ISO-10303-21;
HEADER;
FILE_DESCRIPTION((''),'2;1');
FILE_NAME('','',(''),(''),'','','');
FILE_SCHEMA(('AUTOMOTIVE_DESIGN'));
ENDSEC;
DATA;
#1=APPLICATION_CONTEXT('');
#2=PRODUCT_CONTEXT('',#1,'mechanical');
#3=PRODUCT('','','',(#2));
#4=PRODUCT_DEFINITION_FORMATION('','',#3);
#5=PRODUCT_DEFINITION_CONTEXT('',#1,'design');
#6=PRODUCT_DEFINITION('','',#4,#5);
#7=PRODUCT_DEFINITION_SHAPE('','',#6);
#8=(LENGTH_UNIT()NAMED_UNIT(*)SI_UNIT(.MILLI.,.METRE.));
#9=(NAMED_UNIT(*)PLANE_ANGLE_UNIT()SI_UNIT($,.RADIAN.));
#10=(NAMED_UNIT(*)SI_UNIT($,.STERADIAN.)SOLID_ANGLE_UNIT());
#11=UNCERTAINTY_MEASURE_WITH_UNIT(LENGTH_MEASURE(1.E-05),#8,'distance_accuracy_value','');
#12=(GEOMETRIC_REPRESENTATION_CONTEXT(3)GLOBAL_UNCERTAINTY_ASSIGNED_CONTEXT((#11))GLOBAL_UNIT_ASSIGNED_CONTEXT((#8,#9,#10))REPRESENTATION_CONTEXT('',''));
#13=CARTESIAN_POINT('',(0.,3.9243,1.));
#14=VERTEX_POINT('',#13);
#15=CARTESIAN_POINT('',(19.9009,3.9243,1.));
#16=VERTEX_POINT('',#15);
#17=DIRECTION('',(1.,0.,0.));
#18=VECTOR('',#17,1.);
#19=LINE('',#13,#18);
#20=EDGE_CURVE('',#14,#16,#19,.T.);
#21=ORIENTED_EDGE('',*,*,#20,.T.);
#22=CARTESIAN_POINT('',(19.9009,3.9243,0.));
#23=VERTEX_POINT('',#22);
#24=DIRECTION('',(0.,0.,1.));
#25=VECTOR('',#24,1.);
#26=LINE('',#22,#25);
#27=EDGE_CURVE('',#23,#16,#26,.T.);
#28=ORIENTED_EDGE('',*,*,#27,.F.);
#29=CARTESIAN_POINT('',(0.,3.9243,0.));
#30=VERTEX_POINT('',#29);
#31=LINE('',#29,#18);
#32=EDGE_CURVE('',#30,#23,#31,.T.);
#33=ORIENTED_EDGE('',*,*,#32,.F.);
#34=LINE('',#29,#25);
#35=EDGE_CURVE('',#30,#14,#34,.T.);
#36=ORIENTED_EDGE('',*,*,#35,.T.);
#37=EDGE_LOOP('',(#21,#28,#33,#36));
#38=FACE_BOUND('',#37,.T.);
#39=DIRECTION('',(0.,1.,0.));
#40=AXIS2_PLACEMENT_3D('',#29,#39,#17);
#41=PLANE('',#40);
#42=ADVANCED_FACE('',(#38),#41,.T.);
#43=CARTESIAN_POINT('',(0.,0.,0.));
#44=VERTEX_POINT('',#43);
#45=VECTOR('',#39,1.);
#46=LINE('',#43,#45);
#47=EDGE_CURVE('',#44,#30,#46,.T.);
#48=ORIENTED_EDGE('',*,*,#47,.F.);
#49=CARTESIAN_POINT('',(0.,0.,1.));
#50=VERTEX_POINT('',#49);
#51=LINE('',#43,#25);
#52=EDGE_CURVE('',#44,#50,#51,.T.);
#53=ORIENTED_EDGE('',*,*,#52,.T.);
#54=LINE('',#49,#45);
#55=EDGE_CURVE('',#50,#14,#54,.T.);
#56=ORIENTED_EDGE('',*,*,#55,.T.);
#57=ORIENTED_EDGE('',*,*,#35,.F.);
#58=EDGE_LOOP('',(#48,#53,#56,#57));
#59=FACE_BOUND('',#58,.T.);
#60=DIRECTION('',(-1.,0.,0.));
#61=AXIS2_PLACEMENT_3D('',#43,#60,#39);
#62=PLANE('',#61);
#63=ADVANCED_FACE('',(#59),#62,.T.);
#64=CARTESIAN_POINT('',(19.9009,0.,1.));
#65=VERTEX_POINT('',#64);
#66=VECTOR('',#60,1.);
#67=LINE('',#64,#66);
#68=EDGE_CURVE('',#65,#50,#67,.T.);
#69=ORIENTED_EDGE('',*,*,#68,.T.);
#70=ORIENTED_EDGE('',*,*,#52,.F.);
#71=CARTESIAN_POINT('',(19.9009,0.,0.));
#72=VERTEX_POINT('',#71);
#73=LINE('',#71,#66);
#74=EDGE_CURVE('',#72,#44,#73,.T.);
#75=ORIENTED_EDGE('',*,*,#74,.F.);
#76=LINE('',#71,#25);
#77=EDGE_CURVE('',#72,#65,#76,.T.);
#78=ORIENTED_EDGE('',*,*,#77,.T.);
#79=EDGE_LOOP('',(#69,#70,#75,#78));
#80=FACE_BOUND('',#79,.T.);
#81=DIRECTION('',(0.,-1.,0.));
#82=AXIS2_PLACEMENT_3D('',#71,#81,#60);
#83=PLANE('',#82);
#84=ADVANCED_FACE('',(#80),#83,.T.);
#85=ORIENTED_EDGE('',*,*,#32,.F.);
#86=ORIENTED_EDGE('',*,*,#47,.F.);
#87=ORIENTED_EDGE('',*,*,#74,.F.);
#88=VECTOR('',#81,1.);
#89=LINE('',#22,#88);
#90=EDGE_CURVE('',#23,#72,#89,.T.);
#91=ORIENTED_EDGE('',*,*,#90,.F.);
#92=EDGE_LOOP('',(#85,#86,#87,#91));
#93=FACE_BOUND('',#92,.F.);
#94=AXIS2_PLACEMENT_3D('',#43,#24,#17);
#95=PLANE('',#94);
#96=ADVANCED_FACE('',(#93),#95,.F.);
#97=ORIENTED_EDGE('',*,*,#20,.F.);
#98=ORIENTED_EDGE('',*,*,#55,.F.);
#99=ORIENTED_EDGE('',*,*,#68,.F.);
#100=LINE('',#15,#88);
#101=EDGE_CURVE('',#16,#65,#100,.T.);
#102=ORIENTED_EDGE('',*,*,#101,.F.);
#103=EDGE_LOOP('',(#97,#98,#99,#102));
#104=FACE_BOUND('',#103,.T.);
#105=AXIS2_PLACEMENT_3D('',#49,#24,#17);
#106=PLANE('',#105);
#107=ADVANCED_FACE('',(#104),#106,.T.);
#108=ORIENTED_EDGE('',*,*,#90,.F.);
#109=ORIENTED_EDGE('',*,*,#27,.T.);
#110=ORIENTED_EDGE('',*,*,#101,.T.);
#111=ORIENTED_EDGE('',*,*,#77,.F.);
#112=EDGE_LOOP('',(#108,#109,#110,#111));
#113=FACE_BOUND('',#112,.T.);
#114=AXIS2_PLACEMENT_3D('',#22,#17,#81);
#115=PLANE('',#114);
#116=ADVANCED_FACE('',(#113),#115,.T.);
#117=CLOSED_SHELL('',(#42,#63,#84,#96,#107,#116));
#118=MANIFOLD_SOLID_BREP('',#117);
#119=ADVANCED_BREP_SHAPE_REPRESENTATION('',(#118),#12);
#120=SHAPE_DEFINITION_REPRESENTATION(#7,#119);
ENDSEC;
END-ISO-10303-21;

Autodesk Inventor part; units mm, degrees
ref_plane "YZ Plane" through (0, 0, 0) normal (1, 0, 0) x (0, 1, 0)
ref_plane "XZ Plane" through (0, 0, 0) normal (0, 1, 0) x (-1, 0, 0)
ref_plane "XY Plane" through (0, 0, 0) normal (0, 0, 1) x (1, 0, 0)
sketch "__LOGO_UT_ECE, U_1___LOGO_UT_ECE_66" plane through (0, 0, 0) normal (0, 0, 1) x (1, 0, 0)
  line L0 (0, 3.9243) -> (19.9009, 3.9243)
  line L1 (19.9009, 3.9243) -> (19.9009, 0)
  line L2 (19.9009, 0) -> (0, 0)
  line L3 (0, 0) -> (0, 3.9243)
extrude "Extrusion1" add sketch "__LOGO_UT_ECE, U_1___LOGO_UT_ECE_66" along normal blind 1
properties part number "U_1___LOGO_UT_ECE"
